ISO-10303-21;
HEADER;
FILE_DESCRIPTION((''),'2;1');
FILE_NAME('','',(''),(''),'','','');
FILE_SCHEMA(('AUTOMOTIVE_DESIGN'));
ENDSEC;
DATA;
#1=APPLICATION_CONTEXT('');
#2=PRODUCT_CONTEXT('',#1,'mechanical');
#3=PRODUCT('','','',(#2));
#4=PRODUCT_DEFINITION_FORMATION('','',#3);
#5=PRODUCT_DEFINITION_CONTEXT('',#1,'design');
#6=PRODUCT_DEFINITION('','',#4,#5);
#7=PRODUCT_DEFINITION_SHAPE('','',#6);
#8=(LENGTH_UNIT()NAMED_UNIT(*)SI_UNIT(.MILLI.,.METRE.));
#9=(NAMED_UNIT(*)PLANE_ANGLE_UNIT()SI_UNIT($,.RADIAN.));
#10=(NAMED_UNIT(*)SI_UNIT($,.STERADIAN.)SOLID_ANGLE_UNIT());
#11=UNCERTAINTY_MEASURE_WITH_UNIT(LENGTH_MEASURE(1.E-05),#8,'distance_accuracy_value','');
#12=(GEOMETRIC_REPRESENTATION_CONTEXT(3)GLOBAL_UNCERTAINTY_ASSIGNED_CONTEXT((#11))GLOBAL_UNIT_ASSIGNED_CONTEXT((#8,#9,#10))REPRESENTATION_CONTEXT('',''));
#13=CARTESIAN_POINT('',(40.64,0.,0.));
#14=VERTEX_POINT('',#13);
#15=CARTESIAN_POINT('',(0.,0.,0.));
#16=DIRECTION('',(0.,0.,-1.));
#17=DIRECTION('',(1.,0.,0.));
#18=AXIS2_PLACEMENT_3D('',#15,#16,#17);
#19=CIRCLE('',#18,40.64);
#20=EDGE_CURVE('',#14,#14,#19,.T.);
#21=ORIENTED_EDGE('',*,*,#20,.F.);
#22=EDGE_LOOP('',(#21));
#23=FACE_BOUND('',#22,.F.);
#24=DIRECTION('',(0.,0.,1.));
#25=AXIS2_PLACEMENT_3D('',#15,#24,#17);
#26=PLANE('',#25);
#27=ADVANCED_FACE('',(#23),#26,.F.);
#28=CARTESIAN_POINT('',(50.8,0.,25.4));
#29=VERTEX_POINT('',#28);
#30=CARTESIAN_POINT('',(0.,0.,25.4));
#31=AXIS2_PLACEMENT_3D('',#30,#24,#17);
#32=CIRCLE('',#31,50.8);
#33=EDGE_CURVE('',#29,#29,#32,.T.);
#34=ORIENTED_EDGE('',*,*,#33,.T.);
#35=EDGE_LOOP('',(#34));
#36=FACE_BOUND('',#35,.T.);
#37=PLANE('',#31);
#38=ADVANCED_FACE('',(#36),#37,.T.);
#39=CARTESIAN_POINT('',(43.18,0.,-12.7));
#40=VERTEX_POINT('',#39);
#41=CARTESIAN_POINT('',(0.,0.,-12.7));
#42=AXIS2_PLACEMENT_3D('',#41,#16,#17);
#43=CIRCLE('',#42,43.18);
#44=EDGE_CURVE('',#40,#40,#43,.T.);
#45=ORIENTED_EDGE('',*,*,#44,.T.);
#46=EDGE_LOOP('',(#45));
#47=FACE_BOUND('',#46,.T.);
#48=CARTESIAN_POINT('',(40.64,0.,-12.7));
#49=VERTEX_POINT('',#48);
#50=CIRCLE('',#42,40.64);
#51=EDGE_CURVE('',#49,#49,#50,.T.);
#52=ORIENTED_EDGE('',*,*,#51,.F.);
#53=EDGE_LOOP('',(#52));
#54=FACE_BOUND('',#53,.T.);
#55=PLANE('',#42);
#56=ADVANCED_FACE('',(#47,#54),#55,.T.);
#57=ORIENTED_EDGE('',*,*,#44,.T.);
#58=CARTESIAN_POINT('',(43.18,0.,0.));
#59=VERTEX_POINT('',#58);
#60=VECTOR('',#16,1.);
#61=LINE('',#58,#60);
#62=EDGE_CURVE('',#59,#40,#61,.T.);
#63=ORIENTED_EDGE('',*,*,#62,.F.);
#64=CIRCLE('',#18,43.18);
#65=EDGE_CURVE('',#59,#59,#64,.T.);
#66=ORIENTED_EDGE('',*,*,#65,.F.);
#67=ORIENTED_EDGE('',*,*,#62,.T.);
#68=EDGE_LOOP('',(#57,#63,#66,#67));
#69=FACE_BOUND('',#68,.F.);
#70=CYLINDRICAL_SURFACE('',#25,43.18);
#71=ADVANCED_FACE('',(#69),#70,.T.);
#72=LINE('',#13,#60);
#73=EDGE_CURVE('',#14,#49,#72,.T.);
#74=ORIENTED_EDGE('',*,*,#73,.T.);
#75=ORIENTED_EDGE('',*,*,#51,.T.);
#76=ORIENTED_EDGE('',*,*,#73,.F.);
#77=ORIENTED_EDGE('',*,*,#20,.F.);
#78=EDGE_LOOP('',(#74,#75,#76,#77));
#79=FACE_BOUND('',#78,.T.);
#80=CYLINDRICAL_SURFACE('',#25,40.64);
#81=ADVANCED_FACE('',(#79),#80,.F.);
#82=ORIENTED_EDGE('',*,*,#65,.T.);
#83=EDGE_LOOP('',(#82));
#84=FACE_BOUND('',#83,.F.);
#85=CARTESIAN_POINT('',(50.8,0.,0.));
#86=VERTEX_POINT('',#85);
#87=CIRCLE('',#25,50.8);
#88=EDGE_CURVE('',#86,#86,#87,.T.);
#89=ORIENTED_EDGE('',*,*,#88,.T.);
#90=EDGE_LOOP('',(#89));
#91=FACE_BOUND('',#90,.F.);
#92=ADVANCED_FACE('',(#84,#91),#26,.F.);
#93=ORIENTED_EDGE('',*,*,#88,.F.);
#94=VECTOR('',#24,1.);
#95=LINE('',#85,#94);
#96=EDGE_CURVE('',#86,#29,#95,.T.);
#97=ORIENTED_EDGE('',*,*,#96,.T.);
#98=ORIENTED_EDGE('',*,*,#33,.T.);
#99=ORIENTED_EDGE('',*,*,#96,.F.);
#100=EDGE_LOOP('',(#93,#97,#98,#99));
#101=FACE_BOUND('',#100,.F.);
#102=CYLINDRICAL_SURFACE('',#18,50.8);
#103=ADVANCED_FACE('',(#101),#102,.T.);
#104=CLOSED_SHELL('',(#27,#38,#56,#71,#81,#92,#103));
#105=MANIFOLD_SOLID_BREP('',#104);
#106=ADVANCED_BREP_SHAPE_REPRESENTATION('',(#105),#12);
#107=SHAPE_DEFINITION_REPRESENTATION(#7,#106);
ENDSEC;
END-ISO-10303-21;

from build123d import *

# Parameters (mm, degrees)
F0_R     = 50.8
F1_DEPTH = 25.4
F2_R     = 43.18
F2_R_2   = 40.64
F3_DEPTH = 12.7


with BuildPart() as f1:
    # F0 (on Top) → F1 (new body)
    with BuildSketch(Plane.XY):
        Circle(F0_R)
    extrude(amount=F1_DEPTH)

    # F2 (on face) → F3 (join)
    with BuildSketch(Plane(origin=(0, 0, 0), x_dir=(1, 0, 0), z_dir=(0, 0, -1))):
        Circle(F2_R)
        Circle(F2_R_2, mode=Mode.SUBTRACT)
    extrude(amount=F3_DEPTH)


solid = f1.part
